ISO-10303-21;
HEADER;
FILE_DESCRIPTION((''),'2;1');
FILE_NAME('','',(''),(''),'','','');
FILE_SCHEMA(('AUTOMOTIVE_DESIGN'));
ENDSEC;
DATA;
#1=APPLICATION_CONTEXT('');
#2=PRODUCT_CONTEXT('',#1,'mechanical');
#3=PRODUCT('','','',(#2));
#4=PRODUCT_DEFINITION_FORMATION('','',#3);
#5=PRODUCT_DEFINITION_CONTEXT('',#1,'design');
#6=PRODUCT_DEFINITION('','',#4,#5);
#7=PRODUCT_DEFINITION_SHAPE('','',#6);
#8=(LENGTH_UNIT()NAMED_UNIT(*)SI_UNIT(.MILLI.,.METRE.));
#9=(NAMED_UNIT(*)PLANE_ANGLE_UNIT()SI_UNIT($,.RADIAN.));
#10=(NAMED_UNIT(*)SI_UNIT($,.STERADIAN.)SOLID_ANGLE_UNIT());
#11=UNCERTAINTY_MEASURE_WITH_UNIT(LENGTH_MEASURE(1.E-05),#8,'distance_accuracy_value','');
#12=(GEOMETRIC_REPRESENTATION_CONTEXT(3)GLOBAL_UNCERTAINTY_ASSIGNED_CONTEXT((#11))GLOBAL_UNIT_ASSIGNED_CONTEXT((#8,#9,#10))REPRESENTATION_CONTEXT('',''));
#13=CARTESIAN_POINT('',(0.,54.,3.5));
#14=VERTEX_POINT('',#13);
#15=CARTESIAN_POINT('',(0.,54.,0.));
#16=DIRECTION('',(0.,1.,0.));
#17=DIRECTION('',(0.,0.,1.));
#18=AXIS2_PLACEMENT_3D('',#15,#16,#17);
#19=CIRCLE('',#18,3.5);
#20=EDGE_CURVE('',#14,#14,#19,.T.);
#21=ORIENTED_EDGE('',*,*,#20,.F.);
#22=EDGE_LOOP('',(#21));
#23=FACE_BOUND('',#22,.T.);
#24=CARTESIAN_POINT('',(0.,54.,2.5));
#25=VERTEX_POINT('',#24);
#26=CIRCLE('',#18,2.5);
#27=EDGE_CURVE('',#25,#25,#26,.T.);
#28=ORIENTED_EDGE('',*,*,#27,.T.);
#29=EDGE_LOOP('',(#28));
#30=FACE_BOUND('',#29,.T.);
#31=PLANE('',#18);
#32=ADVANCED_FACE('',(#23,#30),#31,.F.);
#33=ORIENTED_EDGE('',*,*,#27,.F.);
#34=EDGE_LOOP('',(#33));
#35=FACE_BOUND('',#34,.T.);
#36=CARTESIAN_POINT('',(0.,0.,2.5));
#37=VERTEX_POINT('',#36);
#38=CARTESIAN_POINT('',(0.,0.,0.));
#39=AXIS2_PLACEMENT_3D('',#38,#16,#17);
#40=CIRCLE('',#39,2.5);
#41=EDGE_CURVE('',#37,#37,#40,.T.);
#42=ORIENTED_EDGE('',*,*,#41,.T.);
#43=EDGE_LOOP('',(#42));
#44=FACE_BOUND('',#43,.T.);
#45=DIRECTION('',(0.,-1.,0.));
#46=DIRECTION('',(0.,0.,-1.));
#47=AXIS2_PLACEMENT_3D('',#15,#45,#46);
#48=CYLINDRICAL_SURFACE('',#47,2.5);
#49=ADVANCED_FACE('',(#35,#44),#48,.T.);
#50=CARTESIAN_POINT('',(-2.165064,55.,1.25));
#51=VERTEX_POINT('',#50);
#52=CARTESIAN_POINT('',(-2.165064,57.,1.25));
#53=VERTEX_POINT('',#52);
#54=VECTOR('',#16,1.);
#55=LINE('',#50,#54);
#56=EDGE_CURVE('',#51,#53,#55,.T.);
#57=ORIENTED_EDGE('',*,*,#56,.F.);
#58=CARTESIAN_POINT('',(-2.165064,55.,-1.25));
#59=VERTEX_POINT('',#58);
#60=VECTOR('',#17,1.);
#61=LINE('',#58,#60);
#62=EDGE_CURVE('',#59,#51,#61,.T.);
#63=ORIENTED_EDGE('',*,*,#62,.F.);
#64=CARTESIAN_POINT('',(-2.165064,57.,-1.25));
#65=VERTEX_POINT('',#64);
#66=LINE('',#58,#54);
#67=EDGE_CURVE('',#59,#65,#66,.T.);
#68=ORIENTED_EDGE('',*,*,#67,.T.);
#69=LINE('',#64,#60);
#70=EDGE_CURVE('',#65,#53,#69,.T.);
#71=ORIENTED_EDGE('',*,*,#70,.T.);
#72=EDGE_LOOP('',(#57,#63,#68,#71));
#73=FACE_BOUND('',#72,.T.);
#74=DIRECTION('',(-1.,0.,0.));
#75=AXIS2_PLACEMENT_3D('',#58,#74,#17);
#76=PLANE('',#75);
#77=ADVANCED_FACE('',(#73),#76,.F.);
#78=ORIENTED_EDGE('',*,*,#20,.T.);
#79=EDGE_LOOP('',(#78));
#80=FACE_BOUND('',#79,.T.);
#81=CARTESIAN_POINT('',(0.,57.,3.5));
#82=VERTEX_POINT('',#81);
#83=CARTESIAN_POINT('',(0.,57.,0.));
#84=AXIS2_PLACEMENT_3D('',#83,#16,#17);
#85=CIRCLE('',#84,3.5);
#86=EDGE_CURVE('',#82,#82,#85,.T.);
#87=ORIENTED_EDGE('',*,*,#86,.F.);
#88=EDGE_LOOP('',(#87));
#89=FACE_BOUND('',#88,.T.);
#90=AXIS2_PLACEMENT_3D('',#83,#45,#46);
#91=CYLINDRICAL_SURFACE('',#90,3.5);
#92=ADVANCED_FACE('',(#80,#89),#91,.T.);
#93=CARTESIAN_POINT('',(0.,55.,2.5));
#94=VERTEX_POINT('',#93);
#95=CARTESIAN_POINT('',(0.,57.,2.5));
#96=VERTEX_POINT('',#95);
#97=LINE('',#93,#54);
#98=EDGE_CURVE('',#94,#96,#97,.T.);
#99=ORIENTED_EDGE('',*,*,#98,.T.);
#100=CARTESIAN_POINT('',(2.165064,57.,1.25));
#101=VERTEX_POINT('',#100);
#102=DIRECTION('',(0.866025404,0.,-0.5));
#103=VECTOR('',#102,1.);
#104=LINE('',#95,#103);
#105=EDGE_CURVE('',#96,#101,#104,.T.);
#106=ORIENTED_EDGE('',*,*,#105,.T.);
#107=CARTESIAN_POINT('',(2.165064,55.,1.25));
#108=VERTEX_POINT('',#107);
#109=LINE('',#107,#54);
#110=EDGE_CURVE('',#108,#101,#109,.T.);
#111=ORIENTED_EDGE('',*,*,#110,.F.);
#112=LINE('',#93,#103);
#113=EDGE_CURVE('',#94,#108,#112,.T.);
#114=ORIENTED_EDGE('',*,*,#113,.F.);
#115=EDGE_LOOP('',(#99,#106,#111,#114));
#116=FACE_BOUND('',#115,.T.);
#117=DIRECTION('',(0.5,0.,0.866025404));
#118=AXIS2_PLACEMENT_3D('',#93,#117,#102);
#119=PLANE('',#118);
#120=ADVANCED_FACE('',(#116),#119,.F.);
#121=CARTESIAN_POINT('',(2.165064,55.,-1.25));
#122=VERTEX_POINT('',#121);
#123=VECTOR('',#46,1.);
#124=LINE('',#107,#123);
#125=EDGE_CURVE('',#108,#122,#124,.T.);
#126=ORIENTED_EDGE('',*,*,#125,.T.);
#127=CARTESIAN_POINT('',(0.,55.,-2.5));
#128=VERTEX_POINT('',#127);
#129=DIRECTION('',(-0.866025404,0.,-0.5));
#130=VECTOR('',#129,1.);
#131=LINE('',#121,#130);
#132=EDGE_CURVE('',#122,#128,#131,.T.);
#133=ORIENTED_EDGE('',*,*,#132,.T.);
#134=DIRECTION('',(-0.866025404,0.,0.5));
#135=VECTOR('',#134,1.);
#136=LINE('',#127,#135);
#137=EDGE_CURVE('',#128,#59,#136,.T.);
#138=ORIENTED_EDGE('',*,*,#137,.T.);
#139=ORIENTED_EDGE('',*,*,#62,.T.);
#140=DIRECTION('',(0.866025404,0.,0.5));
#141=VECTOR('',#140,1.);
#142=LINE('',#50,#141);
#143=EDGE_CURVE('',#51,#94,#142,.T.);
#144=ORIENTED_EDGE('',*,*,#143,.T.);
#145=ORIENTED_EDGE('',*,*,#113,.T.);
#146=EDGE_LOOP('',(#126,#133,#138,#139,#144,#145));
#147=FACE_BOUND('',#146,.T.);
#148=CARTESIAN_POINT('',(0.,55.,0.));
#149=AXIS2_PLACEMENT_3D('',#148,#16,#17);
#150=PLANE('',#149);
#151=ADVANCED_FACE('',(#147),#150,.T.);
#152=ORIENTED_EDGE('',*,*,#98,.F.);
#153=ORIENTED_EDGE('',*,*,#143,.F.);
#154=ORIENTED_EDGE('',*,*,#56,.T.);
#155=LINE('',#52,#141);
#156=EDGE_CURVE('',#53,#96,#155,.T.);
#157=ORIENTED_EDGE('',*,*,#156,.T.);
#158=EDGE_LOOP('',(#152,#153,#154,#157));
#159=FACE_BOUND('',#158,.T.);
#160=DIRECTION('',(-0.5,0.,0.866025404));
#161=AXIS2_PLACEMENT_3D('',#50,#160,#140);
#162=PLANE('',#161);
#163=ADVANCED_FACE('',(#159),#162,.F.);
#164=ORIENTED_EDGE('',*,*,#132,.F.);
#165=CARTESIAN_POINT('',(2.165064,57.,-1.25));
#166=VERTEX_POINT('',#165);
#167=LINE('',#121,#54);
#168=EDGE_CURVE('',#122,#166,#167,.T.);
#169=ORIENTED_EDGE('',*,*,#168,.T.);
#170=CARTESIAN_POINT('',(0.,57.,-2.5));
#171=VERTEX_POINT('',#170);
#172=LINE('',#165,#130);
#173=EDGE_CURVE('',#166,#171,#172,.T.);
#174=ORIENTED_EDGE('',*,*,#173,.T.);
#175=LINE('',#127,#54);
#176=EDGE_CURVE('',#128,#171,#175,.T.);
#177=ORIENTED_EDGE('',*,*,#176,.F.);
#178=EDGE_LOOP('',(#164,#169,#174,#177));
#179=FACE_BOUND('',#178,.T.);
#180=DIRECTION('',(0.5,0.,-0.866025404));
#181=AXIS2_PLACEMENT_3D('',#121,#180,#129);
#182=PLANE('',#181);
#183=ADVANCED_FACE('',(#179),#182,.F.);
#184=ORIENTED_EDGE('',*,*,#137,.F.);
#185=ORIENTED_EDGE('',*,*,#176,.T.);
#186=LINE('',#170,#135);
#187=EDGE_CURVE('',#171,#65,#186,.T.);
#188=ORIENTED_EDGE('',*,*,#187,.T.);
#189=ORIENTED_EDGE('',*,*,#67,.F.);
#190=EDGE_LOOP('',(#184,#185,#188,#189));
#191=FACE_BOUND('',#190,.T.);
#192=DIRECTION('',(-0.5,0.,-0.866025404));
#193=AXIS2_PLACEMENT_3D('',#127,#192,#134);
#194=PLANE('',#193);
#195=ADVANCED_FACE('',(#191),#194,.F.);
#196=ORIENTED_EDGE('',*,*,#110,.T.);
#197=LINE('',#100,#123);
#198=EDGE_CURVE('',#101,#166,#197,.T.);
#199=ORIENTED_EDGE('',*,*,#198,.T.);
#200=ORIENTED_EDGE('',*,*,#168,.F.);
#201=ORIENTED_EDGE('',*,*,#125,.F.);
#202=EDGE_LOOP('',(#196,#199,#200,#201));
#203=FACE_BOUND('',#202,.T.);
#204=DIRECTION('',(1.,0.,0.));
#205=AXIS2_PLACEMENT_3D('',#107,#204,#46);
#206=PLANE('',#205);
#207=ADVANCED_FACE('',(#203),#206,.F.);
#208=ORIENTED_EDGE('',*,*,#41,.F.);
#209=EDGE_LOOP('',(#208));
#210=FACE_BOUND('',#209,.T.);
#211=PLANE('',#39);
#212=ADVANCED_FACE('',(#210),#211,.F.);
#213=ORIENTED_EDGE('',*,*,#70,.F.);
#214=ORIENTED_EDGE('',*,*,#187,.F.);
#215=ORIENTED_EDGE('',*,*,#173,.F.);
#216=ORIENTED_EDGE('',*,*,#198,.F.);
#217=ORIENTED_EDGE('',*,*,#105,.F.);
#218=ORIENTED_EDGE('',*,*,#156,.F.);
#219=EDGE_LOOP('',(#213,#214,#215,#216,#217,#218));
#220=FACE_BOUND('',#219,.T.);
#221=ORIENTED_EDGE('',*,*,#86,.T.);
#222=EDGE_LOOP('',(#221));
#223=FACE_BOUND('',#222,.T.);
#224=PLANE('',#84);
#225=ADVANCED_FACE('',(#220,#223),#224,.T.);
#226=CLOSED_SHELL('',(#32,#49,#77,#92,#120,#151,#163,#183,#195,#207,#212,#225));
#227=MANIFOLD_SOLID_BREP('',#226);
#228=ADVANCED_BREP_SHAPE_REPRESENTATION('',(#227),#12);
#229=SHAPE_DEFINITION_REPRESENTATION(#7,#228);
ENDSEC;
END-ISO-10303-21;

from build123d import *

# Parameters (mm, degrees)
SKETCH1_R          = 2.5
SCREW_LENGTH_DEPTH = 54
SKETCH2_R          = 3.5
SCREW_CAP_DEPTH    = 3
SCREW_HOLE_DEPTH   = 2


with BuildPart() as part:
    # Sketch1 → Screw Length (new body)
    with BuildSketch(Plane(origin=(0, 0, 0), x_dir=(1, 0, 0), z_dir=(0, 1, 0))):
        with Locations(Location((0, 0, 0), (0, 0, 270))):
            Circle(SKETCH1_R)
    extrude(amount=SCREW_LENGTH_DEPTH)

    # Sketch2 → Screw Cap (add)
    with BuildSketch(Plane(origin=(0, 54, 0), x_dir=(1, 0, 0), z_dir=(0, 1, 0))):
        with Locations(Location((0, 0, 0), (0, 0, 270))):
            Circle(SKETCH2_R)
    extrude(amount=SCREW_CAP_DEPTH)

    # Sketch3 → Screw Hole (cut)
    with BuildSketch(Plane(origin=(0, 57, 0), x_dir=(1, 0, 0), z_dir=(0, 1, 0))):
        Polygon((0, 2.5), (-2.165063509, 1.25), (-2.165063509, -1.25), (0, -2.5), (2.165063509, -1.25), (2.165063509, 1.25), align=None)
    extrude(amount=-SCREW_HOLE_DEPTH, mode=Mode.SUBTRACT)


solid = part.part
